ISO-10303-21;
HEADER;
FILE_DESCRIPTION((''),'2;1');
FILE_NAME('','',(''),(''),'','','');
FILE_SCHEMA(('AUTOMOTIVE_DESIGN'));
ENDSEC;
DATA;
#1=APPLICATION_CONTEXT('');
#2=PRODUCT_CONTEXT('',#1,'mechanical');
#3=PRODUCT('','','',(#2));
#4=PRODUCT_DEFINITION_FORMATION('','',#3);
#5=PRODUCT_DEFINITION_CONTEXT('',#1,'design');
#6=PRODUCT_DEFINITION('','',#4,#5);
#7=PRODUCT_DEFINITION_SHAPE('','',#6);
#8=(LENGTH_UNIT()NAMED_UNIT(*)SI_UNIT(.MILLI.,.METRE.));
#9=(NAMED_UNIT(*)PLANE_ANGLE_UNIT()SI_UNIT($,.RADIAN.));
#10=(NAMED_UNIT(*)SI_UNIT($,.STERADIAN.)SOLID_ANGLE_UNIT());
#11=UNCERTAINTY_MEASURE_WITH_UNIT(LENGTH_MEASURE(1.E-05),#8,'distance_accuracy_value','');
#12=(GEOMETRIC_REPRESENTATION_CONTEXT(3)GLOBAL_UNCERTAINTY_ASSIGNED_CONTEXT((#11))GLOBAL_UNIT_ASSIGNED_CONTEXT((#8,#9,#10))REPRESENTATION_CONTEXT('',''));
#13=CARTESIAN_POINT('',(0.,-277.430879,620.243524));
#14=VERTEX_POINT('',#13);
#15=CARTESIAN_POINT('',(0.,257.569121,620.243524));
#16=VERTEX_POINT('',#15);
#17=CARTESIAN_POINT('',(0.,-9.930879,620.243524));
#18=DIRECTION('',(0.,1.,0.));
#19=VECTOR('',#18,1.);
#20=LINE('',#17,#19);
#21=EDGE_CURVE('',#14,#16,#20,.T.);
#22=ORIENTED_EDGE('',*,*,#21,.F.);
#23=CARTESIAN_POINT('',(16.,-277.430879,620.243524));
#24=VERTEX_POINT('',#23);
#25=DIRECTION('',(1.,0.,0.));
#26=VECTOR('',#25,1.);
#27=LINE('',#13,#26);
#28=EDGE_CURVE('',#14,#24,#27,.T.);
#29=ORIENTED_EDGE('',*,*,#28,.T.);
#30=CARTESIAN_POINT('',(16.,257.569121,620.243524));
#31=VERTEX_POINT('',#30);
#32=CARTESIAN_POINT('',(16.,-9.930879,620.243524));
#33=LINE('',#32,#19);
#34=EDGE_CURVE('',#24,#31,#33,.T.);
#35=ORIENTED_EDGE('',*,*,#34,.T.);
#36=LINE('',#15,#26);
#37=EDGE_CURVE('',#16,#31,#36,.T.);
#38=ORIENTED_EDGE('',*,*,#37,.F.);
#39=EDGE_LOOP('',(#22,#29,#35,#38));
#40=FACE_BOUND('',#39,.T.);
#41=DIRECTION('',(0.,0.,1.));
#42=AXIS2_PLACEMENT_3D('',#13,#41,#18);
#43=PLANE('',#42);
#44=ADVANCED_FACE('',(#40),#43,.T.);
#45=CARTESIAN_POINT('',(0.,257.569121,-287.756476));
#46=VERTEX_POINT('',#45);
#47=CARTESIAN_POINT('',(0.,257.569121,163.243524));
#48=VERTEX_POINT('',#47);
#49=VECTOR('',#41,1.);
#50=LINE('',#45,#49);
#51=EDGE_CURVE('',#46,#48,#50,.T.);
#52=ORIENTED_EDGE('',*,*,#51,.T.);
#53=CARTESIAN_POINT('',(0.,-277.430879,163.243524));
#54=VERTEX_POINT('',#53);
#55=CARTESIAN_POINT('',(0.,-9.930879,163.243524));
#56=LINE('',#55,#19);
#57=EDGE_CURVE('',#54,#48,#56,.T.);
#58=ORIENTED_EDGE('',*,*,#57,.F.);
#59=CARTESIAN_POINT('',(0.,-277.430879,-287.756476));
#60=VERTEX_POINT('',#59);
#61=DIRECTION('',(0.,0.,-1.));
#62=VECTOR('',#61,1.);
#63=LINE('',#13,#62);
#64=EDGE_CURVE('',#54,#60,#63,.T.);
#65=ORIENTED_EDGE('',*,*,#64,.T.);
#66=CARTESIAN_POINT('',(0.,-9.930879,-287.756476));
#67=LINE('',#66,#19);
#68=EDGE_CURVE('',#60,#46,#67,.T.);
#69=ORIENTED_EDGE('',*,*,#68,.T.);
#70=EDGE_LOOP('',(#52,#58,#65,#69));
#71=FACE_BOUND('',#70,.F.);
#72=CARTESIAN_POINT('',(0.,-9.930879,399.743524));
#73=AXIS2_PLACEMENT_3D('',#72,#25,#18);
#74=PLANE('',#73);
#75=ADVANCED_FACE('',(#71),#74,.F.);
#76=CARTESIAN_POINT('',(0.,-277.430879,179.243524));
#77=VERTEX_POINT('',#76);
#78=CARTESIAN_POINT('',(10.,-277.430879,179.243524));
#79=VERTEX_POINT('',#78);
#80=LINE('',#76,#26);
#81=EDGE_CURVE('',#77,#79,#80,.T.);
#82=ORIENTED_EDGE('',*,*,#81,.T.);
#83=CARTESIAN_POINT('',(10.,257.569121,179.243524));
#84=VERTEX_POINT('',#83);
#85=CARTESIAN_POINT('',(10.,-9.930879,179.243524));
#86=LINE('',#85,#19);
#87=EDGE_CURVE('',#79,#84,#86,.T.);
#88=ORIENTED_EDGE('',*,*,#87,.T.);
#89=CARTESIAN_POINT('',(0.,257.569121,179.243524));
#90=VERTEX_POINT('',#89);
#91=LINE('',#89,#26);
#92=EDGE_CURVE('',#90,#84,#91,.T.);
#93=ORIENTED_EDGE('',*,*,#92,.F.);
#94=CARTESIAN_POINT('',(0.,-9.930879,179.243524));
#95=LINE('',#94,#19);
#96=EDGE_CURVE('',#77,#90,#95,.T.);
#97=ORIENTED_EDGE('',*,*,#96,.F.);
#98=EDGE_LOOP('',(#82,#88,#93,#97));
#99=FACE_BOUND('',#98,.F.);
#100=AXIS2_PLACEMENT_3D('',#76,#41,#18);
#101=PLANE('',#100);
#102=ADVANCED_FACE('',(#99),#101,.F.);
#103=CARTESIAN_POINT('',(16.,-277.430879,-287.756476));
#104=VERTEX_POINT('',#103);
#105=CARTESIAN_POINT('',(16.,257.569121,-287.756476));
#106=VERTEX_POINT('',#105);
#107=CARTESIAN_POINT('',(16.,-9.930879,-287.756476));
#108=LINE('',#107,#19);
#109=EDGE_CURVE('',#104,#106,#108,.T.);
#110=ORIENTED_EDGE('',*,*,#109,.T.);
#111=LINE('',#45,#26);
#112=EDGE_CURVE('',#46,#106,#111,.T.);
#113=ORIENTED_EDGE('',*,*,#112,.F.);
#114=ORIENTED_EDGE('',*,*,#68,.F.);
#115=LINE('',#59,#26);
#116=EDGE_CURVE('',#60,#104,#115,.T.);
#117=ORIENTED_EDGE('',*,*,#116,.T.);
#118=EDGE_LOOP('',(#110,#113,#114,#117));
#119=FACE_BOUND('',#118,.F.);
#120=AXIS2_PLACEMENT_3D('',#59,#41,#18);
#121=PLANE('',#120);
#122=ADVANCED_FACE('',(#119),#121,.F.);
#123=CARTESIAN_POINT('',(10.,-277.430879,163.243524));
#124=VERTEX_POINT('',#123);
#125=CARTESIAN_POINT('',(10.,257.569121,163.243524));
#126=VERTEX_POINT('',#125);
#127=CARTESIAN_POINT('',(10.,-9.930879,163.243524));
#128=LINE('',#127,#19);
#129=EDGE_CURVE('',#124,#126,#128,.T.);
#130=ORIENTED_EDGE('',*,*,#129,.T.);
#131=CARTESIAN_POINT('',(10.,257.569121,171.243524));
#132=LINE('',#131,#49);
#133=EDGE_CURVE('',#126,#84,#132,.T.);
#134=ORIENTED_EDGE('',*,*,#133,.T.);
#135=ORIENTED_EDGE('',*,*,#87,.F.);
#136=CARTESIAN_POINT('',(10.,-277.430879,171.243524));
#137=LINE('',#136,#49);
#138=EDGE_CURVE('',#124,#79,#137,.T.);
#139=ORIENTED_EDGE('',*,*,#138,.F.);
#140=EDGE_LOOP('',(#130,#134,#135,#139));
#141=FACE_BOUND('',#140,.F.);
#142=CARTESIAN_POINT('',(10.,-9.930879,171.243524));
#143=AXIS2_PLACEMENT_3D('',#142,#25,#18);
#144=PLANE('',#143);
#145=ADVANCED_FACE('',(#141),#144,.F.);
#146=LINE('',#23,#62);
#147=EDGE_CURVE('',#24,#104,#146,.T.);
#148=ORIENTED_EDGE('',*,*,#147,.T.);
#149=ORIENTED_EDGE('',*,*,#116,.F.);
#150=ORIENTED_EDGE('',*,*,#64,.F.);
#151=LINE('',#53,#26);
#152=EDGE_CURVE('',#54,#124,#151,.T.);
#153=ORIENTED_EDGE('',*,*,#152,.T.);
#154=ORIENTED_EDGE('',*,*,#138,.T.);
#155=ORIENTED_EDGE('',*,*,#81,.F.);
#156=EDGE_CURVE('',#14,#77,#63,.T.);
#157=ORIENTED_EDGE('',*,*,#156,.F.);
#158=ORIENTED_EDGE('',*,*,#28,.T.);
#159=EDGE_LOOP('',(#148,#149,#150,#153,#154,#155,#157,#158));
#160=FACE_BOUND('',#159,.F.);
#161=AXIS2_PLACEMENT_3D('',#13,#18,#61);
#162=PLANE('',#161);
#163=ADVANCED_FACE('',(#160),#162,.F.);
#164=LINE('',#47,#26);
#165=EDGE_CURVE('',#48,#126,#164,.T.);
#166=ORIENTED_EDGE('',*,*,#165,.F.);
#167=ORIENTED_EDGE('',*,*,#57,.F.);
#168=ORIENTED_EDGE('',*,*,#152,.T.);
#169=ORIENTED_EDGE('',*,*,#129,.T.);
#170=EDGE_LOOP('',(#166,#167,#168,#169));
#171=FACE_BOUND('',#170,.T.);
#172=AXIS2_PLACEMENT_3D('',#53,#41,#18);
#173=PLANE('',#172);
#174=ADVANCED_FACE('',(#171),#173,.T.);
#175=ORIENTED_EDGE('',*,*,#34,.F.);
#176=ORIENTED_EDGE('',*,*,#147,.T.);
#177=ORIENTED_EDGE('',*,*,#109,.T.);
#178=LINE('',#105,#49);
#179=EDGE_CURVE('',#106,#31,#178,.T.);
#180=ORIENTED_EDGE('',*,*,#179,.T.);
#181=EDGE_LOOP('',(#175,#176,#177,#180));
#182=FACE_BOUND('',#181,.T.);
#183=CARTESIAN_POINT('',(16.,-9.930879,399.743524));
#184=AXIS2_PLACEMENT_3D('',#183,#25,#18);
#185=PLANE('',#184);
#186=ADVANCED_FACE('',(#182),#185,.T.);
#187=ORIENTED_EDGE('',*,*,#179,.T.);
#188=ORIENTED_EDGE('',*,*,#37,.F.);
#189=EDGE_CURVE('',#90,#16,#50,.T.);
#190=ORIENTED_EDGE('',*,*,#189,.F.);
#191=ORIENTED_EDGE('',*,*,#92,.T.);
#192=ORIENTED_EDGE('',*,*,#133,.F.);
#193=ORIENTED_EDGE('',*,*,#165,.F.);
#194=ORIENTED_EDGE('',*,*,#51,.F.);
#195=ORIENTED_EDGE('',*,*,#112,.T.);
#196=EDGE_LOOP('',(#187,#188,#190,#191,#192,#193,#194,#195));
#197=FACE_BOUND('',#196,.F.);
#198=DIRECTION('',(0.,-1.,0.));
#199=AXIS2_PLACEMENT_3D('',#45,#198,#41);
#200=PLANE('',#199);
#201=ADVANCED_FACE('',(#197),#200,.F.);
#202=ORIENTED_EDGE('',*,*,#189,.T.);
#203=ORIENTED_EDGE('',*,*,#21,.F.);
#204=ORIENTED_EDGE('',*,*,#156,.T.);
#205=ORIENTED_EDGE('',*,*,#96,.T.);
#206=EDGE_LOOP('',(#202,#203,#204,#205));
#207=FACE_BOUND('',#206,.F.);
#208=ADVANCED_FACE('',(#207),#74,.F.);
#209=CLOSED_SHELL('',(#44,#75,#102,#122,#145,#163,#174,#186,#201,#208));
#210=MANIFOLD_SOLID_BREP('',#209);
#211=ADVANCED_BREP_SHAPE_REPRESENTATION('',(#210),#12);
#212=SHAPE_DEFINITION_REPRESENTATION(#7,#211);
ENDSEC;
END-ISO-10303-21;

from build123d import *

# Parameters (mm, degrees)
F0_W     = 535
F0_H     = 441
F0_H_2   = 16
F0_H_3   = 435
F1_DEPTH = 16
F2_DEPTH = 10


with BuildPart() as f1:
    # F0 (on Right) → F1 (new body)
    with BuildSketch(Plane.YZ):
        with Locations((-9.930879, 399.743524)):
            Rectangle(F0_W, F0_H)
        with Locations((-9.930879, 171.243524)):
            Rectangle(F0_W, F0_H_2)
        with Locations((-9.930879, -54.256476)):
            Rectangle(F0_W, F0_H_3)
        with Locations((-9.930879, -279.756476)):
            Rectangle(F0_W, F0_H_2)
    extrude(amount=F1_DEPTH)

    # F0 (on Right) → F2 (cut)
    with BuildSketch(Plane.YZ):
        with Locations((-9.930879, 171.243524)):
            Rectangle(F0_W, F0_H_2)
    extrude(amount=F2_DEPTH, mode=Mode.SUBTRACT)


solid = f1.part
